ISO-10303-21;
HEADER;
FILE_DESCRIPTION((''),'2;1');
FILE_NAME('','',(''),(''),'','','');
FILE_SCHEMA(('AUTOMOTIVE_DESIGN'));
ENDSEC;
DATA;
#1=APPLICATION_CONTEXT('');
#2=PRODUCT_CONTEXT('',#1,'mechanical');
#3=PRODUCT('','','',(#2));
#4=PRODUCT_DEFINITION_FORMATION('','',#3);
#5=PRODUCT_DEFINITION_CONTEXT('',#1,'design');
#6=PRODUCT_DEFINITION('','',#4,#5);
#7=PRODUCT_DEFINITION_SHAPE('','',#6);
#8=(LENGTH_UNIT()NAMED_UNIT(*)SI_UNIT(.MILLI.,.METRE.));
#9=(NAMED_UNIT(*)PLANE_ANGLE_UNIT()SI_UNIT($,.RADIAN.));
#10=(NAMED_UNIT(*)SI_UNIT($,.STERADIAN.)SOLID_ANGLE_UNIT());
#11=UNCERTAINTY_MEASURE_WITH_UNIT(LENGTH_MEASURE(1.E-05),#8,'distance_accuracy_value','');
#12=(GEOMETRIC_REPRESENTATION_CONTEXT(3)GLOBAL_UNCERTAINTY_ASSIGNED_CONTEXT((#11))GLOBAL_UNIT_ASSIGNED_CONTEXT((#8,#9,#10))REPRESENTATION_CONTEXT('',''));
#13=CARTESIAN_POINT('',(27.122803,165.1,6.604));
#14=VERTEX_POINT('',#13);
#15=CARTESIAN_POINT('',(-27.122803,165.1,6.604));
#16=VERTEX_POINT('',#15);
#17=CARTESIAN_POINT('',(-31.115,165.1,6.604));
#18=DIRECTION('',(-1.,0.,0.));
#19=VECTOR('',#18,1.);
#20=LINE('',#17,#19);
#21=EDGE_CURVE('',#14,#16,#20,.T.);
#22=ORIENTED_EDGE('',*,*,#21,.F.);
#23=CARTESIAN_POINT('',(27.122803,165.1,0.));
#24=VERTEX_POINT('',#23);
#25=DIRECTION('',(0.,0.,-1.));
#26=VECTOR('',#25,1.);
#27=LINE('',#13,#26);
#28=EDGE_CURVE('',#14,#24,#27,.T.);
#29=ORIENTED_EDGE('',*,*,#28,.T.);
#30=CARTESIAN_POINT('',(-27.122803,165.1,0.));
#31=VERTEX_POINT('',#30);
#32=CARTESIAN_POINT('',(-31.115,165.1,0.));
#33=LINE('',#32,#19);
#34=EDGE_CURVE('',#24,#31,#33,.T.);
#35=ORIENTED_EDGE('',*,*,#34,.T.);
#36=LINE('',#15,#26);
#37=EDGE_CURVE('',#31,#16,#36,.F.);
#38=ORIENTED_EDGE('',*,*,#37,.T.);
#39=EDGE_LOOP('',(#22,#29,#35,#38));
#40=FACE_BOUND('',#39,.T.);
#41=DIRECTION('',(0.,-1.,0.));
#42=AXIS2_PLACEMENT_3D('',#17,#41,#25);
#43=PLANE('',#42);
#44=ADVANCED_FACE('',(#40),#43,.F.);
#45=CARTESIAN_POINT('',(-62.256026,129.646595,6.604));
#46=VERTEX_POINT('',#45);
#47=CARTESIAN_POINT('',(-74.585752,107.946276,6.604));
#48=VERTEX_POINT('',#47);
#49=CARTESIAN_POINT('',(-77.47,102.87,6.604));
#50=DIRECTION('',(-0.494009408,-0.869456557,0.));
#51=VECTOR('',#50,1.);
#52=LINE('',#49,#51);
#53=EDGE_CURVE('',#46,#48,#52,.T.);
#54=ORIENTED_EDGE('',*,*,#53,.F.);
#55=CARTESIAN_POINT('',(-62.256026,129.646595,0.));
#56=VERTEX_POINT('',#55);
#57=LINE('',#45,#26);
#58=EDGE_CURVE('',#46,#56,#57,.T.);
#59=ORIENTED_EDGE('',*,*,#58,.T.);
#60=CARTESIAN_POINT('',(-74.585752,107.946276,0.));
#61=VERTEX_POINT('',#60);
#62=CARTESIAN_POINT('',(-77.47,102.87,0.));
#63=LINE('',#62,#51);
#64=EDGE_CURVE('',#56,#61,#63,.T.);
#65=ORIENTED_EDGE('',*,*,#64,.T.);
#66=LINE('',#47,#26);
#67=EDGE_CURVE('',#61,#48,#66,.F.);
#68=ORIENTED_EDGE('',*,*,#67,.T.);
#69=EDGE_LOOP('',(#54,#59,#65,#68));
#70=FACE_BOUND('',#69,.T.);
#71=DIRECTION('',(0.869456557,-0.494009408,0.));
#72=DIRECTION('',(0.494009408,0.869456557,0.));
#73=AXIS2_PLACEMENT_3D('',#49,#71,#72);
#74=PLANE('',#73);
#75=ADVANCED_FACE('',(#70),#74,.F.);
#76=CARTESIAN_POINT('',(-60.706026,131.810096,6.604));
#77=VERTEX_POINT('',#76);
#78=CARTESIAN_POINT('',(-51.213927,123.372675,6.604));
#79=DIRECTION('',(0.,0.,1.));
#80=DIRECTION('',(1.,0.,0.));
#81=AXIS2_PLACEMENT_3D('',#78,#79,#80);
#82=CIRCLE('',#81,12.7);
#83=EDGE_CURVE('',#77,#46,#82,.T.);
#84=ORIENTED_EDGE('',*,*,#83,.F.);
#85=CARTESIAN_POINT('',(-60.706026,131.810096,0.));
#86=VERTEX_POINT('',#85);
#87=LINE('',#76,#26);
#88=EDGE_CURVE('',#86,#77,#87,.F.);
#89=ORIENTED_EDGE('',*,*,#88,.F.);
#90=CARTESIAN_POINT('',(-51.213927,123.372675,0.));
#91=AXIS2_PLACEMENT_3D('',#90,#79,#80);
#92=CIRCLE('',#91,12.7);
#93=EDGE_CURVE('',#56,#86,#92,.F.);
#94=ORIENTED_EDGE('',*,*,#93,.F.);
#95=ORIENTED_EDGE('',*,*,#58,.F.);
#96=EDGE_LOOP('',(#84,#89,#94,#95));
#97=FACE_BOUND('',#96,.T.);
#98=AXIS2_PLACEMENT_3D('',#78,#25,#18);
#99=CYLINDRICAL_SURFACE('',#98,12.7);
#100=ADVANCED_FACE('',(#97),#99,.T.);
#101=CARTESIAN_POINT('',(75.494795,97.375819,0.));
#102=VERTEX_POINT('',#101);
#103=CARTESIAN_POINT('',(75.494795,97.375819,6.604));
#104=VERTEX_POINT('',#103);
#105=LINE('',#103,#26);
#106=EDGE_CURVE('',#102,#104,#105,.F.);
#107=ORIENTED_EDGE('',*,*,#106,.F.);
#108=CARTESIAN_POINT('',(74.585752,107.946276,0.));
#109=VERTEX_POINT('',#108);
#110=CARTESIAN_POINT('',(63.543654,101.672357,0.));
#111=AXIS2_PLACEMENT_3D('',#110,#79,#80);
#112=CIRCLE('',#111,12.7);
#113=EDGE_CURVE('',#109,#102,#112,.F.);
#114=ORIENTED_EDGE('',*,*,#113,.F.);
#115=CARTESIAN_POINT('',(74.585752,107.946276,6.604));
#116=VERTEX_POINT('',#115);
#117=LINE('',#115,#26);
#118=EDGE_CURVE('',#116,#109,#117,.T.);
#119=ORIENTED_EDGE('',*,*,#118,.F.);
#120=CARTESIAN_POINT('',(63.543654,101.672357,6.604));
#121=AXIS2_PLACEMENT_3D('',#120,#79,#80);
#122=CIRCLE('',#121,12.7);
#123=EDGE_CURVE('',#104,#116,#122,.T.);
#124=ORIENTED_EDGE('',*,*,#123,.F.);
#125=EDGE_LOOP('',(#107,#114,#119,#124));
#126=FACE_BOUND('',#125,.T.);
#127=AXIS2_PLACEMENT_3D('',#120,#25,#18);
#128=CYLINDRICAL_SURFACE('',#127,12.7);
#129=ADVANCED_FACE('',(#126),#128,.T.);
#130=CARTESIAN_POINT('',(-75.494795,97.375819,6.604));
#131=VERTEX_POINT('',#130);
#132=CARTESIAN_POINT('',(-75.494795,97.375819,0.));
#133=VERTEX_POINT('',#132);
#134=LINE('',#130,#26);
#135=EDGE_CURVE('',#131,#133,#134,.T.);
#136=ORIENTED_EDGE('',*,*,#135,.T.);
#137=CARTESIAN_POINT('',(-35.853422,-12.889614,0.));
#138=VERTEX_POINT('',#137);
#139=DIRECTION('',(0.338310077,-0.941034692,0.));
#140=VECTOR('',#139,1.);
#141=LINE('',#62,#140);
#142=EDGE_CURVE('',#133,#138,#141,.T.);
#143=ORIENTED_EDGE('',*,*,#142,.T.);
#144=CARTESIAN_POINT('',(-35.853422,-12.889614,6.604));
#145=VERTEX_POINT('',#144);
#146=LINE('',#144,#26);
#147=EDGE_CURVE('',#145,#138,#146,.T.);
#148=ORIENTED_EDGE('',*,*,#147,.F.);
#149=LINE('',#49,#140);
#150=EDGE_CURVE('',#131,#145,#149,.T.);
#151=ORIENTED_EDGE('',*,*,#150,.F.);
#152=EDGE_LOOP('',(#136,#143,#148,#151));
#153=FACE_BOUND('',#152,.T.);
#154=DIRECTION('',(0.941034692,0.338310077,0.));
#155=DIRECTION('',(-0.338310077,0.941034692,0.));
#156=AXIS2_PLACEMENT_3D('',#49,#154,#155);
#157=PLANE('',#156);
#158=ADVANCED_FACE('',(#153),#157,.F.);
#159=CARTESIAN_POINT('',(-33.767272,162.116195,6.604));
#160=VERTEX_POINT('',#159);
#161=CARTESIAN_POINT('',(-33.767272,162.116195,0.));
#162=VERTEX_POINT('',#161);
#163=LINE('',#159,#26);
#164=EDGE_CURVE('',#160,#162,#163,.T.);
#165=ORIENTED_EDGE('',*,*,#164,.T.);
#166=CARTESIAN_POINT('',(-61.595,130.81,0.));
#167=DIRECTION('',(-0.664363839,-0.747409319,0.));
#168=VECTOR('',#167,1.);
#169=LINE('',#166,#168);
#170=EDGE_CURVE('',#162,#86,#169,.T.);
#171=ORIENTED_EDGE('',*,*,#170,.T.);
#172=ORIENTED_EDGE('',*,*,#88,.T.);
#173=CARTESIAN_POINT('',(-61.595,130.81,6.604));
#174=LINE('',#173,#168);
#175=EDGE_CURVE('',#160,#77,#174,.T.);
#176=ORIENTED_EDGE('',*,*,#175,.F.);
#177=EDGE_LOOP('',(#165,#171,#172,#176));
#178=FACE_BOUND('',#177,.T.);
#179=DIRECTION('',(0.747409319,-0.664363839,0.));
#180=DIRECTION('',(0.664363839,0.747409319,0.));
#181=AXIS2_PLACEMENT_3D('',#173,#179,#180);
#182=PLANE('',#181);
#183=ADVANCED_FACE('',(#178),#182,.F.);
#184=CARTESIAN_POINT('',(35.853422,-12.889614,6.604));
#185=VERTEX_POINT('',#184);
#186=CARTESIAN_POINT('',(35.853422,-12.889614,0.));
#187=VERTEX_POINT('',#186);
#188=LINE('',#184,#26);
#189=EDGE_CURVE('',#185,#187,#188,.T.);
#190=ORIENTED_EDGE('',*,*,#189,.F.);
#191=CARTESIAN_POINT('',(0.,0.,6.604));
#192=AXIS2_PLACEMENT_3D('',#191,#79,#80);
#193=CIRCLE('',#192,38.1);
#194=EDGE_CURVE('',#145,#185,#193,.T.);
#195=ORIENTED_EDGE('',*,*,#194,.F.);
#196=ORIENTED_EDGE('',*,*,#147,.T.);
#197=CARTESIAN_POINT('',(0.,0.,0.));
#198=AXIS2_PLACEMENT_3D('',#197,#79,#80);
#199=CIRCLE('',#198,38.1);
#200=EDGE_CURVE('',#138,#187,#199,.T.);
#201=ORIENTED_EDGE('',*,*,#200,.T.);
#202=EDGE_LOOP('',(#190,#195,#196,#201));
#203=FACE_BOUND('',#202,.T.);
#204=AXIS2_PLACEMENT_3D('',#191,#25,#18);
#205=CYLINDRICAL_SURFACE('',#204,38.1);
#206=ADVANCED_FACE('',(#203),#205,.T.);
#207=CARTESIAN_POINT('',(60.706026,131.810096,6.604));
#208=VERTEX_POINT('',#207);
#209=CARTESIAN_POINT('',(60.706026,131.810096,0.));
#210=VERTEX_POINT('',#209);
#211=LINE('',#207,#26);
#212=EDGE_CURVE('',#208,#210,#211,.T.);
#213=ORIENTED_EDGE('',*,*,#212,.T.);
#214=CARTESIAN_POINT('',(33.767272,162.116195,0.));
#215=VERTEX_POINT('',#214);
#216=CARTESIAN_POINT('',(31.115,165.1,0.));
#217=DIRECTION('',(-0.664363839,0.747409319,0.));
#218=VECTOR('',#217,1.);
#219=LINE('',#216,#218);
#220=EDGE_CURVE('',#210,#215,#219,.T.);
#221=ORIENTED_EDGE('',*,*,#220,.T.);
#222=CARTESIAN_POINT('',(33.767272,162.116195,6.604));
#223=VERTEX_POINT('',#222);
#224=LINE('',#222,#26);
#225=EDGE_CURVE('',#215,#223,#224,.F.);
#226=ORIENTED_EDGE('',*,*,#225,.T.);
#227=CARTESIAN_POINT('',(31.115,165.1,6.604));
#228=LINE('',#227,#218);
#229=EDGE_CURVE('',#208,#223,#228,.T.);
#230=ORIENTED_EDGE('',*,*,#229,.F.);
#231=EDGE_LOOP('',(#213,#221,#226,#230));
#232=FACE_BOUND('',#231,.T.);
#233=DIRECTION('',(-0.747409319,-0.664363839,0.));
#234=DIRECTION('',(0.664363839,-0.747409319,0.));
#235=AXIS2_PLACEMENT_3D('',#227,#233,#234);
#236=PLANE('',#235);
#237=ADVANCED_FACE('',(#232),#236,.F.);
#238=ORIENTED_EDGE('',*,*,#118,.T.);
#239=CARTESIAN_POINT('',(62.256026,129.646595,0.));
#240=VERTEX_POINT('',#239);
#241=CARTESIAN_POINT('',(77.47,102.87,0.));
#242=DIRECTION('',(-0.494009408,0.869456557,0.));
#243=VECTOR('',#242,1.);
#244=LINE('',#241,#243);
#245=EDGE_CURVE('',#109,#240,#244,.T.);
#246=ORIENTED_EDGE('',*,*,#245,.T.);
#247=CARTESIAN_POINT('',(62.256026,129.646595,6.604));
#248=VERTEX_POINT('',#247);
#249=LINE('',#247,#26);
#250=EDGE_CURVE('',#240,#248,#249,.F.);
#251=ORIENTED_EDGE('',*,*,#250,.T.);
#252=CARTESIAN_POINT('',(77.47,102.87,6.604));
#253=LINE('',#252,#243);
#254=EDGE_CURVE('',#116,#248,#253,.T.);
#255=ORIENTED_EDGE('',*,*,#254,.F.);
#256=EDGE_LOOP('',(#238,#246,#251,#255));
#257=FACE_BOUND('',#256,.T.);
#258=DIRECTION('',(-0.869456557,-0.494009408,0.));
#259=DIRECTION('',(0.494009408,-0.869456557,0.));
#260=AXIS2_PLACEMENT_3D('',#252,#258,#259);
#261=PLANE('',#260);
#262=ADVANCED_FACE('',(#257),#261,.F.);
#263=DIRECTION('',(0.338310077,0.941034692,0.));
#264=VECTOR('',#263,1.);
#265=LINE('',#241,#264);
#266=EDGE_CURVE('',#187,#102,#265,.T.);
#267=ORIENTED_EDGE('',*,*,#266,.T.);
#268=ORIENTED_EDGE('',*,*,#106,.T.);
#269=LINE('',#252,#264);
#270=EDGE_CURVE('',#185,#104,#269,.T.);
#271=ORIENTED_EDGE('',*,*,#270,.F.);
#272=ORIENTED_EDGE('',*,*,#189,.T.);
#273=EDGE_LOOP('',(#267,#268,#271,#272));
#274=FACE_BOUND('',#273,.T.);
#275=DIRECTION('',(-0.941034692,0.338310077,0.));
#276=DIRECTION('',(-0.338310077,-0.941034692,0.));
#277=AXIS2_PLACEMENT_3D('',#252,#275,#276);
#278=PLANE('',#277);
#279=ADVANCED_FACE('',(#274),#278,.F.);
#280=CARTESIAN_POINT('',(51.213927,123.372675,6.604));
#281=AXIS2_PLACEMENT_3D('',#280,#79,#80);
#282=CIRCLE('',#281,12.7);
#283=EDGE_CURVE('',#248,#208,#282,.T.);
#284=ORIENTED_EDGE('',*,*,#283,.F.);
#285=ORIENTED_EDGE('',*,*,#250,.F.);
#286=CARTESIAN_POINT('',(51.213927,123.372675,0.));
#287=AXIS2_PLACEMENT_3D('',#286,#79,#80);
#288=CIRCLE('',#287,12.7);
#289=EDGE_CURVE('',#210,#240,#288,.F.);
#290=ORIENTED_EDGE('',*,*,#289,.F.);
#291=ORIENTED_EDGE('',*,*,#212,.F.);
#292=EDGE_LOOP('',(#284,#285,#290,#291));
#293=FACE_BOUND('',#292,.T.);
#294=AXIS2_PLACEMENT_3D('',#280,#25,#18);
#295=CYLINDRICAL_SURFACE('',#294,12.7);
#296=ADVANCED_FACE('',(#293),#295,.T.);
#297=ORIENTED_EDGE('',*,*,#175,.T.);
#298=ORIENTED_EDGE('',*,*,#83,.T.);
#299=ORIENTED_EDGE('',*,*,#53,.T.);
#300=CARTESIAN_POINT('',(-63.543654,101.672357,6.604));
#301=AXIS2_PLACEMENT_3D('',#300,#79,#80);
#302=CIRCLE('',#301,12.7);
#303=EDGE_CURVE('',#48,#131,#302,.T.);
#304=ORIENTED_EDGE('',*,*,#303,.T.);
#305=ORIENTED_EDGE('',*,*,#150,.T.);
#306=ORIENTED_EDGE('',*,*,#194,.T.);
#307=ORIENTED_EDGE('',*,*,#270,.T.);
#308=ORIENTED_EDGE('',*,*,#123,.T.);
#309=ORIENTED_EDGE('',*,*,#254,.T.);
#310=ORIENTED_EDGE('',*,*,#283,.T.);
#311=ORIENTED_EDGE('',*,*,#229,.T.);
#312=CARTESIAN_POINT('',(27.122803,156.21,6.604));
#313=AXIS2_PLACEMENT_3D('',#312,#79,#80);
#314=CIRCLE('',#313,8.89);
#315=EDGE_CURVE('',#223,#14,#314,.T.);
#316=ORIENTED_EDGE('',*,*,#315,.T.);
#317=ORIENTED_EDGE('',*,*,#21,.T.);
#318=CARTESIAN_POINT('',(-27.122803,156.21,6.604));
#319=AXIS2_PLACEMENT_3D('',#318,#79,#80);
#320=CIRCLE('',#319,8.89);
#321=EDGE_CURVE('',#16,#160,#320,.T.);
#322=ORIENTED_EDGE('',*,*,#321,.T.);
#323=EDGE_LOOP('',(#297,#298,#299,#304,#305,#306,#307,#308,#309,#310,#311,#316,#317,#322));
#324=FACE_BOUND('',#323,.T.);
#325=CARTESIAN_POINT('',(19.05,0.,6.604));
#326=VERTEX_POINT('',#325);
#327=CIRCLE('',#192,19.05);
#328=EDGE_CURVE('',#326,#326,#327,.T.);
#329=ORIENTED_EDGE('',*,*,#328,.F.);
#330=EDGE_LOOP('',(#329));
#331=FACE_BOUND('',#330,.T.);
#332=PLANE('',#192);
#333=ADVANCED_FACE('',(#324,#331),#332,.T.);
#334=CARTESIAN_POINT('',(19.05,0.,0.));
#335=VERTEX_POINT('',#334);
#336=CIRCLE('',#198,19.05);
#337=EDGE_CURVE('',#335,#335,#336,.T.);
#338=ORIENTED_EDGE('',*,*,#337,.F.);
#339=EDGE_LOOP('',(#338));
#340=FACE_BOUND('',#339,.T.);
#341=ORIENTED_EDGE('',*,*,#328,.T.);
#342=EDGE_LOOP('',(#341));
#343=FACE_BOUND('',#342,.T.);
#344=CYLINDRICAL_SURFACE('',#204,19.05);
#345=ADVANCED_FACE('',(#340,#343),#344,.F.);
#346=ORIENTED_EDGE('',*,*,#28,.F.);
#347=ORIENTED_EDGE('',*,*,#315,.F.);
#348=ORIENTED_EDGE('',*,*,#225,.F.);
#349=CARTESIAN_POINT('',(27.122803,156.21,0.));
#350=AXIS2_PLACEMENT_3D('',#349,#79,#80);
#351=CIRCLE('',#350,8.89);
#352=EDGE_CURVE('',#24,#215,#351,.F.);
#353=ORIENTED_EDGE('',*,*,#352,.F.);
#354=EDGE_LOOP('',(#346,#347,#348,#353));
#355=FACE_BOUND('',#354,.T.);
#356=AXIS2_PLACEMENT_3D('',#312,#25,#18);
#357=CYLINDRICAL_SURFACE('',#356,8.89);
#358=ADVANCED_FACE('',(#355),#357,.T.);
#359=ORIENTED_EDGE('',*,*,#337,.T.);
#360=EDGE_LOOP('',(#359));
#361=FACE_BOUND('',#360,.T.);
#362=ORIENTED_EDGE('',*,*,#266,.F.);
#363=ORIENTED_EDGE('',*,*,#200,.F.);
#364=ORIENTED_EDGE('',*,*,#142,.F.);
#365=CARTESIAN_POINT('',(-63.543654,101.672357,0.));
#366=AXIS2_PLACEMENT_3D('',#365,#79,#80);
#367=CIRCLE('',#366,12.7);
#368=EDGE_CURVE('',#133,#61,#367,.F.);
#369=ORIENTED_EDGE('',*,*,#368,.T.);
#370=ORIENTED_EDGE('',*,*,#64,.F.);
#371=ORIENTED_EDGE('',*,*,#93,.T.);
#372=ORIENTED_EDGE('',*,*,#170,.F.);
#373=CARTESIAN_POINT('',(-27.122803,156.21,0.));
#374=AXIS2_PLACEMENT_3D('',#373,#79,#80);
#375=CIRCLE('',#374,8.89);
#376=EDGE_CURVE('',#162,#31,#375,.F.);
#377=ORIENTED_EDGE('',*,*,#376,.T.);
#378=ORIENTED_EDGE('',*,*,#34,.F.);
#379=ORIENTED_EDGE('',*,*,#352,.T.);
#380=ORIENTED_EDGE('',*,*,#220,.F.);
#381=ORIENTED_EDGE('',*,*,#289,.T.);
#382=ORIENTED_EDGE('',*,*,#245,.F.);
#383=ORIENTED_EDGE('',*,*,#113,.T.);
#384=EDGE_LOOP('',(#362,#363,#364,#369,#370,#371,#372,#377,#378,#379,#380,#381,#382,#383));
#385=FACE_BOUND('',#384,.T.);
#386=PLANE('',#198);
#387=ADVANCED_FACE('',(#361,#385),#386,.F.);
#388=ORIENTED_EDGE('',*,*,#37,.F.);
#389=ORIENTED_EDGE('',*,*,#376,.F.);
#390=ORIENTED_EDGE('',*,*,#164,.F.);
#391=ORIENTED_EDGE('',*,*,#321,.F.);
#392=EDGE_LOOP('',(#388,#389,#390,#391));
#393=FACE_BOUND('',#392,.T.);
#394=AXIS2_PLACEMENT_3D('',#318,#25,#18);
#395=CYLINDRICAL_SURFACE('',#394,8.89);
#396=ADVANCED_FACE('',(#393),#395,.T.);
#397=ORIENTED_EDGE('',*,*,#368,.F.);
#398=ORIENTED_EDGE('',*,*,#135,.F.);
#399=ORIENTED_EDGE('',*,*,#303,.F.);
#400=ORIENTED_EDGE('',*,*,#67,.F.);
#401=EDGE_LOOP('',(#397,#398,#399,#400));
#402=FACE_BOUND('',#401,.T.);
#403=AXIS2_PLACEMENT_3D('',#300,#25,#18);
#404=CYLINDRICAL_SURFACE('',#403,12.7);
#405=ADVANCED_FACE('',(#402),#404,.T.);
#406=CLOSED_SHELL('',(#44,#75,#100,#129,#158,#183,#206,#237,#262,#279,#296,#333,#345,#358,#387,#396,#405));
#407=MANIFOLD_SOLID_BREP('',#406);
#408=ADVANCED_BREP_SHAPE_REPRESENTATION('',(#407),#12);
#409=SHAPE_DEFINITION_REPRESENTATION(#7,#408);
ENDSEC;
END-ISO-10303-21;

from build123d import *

# Parameters (mm, degrees)
SKETCH1_R           = 19.05
BOSS_EXTRUDE1_DEPTH = 6.604
FILLET1_R           = 12.7
FILLET2_R           = 8.89


with BuildPart() as part:
    # Sketch1 → Boss-Extrude1 (new body)
    with BuildSketch(Plane.XY):
        with BuildLine():
            Line((-31.115, 165.1), (31.115, 165.1))
            Line((31.115, 165.1), (61.595, 130.81))
            Line((61.595, 130.81), (77.47, 102.87))
            Line((77.47, 102.87), (35.853421773, -12.889613927))
            ThreePointArc((35.853421773, -12.889613927), (0, -38.1), (-35.853421773, -12.889613927))
            Line((-35.853421773, -12.889613927), (-77.47, 102.87))
            Line((-77.47, 102.87), (-61.595, 130.81))
            Line((-61.595, 130.81), (-31.115, 165.1))
        make_face()
        Circle(SKETCH1_R, mode=Mode.SUBTRACT)
    extrude(amount=BOSS_EXTRUDE1_DEPTH)

    # Fillet1
    fillet1_edges = [part.edges().sort_by_distance(p)[0] for p in [
        (61.595, 130.81, 3.302),
        (77.47, 102.87, 3.302),
        (-77.47, 102.87, 3.302),
        (-61.595, 130.81, 3.302),
    ]]
    fillet(fillet1_edges, radius=FILLET1_R)

    # Fillet2
    fillet2_edges = [part.edges().sort_by_distance(p)[0] for p in [
        (-31.115, 165.1, 3.302),
        (31.115, 165.1, 3.302),
    ]]
    fillet(fillet2_edges, radius=FILLET2_R)


solid = part.part
